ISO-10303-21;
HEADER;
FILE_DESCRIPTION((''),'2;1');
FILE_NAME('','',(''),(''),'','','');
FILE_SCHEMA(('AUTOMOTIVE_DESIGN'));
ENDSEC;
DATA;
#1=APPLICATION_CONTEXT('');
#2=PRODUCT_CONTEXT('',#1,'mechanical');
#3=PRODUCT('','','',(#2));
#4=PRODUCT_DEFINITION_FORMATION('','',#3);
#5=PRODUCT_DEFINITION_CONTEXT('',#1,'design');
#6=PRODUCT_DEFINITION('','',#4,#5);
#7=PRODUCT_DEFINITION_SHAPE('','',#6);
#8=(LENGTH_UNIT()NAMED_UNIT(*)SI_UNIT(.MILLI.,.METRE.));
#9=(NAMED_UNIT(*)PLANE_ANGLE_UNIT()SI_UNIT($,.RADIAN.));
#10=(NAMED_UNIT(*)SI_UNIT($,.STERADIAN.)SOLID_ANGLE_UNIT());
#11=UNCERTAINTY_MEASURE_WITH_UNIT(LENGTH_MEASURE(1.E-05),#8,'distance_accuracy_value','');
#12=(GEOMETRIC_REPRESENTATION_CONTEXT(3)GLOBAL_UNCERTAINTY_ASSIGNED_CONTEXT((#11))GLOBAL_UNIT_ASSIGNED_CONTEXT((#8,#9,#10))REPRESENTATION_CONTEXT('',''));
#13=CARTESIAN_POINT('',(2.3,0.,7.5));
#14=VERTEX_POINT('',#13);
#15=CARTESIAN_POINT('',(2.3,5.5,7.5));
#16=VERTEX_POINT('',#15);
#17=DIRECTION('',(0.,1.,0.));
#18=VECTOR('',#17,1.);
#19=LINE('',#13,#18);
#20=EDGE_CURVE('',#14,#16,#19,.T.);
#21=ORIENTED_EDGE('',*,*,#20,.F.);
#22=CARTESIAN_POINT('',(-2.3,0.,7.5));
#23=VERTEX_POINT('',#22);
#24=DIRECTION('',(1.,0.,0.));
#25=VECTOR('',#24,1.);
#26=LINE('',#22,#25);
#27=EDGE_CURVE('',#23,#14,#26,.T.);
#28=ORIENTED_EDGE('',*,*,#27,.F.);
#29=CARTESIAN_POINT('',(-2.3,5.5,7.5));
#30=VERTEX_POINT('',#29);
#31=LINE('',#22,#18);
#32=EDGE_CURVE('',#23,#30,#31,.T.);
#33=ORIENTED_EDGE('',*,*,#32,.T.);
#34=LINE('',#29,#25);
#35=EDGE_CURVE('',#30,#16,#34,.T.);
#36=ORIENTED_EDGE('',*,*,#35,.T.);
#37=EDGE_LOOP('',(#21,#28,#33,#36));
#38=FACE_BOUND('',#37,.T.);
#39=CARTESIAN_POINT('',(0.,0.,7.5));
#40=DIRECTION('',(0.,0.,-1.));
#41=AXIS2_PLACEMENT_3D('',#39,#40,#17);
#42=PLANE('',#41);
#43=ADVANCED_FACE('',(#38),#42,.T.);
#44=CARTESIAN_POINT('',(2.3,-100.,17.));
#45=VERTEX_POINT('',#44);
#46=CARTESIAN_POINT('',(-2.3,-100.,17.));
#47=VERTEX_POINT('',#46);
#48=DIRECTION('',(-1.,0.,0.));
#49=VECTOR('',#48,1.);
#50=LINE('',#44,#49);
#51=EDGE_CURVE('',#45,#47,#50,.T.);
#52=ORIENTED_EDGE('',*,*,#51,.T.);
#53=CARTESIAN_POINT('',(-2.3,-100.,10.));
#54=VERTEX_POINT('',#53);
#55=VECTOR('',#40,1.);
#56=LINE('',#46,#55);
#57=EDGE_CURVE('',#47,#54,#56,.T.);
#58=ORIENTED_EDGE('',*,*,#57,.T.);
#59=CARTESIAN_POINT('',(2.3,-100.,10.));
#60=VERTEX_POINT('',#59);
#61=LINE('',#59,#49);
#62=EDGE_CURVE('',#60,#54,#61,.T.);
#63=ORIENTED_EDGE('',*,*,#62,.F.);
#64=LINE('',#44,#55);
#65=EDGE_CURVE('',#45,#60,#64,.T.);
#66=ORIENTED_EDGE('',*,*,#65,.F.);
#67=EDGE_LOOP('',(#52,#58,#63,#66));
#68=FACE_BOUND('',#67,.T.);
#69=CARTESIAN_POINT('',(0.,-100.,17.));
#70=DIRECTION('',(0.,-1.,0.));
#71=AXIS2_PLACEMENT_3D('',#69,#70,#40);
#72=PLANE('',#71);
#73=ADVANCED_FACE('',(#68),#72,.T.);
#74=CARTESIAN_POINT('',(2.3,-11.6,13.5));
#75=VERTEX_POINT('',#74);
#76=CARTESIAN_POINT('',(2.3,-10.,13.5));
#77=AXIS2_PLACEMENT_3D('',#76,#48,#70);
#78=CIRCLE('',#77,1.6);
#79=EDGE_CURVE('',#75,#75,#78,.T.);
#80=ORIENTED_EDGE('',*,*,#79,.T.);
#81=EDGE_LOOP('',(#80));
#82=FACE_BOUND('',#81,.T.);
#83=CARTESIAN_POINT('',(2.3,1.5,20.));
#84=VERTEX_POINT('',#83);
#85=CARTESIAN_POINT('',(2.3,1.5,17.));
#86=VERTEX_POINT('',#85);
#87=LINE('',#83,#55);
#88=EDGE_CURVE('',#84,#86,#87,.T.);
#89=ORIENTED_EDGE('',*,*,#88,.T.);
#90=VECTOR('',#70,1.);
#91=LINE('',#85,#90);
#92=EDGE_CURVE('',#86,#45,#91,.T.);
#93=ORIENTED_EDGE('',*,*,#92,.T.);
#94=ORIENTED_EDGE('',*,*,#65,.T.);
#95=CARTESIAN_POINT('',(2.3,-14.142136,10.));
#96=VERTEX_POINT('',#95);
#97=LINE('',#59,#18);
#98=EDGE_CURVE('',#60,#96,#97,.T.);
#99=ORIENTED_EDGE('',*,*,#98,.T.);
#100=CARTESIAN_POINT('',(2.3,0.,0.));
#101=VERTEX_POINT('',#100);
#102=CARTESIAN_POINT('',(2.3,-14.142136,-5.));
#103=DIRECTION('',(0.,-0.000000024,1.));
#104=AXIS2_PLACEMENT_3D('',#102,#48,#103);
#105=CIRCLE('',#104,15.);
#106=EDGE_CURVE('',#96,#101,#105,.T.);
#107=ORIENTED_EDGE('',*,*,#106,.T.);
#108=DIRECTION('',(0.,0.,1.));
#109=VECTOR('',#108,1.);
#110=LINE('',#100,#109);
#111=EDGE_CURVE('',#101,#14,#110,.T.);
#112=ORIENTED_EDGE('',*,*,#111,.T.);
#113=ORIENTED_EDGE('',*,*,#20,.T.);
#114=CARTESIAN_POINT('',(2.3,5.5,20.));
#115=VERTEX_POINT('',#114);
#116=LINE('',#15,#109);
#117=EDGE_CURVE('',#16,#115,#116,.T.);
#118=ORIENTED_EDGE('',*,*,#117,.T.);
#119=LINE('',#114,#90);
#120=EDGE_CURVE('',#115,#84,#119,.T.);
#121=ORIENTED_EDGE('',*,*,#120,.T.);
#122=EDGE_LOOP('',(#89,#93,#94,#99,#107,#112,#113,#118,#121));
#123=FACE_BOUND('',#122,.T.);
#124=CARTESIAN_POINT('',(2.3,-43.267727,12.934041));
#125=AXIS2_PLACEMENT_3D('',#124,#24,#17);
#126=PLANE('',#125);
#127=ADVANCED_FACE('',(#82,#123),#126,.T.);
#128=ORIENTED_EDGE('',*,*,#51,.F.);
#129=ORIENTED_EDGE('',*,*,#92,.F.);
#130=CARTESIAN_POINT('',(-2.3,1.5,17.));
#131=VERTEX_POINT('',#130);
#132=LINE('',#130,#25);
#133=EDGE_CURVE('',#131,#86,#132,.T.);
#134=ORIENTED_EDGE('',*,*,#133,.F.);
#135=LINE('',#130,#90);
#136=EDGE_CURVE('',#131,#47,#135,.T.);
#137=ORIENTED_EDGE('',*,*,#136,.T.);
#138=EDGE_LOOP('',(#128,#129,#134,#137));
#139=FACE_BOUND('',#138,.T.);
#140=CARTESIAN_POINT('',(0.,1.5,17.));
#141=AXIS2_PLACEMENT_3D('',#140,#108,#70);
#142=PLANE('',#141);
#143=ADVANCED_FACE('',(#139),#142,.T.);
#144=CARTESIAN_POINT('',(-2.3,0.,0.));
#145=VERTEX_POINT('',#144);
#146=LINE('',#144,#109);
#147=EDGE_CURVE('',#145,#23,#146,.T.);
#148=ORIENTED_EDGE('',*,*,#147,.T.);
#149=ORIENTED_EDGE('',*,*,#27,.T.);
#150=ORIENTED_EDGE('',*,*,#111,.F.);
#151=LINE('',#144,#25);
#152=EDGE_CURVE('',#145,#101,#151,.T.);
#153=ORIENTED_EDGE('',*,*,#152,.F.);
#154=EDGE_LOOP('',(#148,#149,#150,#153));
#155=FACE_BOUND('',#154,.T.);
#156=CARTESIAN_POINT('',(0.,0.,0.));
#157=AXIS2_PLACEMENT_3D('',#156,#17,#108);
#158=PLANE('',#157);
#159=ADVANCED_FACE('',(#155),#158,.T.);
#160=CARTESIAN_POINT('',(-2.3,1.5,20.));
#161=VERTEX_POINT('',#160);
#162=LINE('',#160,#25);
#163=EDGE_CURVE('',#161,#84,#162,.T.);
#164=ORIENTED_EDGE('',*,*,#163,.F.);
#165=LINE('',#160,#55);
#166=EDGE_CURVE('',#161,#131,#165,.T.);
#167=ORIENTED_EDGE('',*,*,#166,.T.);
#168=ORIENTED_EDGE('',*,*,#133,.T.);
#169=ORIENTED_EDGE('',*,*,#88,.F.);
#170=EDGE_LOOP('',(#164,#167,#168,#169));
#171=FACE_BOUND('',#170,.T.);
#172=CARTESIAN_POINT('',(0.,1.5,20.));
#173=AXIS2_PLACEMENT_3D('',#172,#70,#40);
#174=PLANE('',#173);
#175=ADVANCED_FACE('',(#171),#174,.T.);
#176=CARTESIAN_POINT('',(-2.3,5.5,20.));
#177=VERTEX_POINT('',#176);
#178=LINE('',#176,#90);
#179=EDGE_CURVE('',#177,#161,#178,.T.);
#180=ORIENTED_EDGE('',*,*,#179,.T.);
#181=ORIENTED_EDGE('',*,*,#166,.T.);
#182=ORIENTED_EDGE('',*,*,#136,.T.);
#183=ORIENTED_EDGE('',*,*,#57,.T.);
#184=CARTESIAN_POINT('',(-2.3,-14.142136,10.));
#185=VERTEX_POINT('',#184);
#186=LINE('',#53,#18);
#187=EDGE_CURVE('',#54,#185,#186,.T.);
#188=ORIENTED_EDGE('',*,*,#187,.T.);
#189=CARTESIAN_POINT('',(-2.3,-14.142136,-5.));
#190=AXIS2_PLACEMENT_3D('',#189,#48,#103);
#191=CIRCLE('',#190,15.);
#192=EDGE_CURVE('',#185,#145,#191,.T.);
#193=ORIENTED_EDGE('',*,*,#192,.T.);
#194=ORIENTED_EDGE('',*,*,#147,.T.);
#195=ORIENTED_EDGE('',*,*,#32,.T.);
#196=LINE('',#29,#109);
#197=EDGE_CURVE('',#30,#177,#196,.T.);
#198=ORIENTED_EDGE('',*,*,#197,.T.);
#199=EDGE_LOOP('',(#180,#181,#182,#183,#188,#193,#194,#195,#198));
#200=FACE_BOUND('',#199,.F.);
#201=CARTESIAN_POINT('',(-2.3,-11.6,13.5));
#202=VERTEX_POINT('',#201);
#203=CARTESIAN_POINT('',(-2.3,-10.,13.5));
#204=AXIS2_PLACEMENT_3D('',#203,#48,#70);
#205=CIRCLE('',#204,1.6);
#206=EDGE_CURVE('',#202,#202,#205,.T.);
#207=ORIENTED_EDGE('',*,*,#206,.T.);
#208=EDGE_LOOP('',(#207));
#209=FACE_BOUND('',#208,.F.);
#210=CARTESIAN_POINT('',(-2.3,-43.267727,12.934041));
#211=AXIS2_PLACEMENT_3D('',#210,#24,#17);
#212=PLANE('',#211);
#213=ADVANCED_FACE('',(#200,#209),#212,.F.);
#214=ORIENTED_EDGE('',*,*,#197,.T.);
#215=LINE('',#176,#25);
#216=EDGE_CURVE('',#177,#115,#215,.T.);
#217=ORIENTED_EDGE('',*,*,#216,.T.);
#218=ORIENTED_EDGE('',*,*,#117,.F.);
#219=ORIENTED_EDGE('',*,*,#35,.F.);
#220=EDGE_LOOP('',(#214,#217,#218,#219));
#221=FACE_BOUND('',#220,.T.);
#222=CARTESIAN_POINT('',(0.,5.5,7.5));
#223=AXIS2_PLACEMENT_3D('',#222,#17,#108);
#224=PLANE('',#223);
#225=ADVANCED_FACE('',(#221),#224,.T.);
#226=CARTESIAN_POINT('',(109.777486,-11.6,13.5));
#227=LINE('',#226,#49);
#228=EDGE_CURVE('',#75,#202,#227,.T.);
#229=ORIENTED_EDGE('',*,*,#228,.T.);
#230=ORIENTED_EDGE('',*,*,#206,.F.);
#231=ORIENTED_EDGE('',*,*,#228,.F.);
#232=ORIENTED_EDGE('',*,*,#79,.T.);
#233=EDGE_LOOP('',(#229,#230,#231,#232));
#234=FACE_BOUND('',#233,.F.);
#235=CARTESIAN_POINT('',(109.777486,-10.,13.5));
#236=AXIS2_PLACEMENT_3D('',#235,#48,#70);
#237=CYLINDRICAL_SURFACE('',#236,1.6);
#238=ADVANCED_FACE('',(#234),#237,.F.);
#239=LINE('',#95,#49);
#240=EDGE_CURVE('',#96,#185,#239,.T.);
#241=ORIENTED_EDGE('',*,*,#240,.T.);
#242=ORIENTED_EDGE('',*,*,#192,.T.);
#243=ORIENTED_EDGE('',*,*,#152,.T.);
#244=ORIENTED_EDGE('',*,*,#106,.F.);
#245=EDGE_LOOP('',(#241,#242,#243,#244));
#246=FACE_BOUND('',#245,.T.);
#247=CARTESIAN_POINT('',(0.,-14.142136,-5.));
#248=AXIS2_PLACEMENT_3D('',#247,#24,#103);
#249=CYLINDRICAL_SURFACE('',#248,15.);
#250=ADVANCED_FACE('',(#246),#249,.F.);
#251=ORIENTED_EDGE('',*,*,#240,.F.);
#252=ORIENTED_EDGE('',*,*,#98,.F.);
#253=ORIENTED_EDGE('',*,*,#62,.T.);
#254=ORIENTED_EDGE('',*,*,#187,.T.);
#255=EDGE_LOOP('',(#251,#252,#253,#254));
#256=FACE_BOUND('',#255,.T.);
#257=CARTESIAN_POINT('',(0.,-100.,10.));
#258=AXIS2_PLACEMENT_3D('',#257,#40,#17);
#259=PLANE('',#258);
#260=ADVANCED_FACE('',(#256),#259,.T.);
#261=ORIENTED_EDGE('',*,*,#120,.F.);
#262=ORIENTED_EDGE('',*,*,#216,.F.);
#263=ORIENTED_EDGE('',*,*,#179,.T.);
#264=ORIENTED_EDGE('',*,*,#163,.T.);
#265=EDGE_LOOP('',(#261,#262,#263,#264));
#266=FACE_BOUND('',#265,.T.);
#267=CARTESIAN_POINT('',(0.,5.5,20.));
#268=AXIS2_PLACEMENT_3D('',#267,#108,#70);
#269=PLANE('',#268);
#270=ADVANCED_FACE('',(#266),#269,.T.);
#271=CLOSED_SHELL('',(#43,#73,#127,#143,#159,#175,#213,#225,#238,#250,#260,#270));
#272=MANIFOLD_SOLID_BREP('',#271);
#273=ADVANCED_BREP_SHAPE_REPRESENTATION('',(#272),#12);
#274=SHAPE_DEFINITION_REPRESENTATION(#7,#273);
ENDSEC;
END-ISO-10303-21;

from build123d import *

# Parameters (mm, degrees)
F1_DEPTH = 2.3
F3_D     = 3.2


with BuildPart() as f1:
    # F0 (on Right) → F1 (new body, symmetric)
    with BuildSketch(Plane.YZ):
        with BuildLine():
            ThreePointArc((-14.142136, 10), (-5.481882, 7.247449), (0, 0))
            Line((0, 0), (0, 7.5))
            Line((0, 7.5), (5.5, 7.5))
            Line((5.5, 7.5), (5.5, 20))
            Line((5.5, 20), (1.5, 20))
            Line((1.5, 20), (1.5, 17))
            Line((1.5, 17), (-100, 17))
            Line((-100, 17), (-100, 10))
            Line((-100, 10), (-14.142136, 10))
        make_face()
    extrude(amount=F1_DEPTH, both=True)

    # F3 (through all)
    with Locations(Plane.YZ.offset(2.3)):
        with Locations((-10, 13.5)):
            Hole(F3_D / 2)


solid = f1.part
